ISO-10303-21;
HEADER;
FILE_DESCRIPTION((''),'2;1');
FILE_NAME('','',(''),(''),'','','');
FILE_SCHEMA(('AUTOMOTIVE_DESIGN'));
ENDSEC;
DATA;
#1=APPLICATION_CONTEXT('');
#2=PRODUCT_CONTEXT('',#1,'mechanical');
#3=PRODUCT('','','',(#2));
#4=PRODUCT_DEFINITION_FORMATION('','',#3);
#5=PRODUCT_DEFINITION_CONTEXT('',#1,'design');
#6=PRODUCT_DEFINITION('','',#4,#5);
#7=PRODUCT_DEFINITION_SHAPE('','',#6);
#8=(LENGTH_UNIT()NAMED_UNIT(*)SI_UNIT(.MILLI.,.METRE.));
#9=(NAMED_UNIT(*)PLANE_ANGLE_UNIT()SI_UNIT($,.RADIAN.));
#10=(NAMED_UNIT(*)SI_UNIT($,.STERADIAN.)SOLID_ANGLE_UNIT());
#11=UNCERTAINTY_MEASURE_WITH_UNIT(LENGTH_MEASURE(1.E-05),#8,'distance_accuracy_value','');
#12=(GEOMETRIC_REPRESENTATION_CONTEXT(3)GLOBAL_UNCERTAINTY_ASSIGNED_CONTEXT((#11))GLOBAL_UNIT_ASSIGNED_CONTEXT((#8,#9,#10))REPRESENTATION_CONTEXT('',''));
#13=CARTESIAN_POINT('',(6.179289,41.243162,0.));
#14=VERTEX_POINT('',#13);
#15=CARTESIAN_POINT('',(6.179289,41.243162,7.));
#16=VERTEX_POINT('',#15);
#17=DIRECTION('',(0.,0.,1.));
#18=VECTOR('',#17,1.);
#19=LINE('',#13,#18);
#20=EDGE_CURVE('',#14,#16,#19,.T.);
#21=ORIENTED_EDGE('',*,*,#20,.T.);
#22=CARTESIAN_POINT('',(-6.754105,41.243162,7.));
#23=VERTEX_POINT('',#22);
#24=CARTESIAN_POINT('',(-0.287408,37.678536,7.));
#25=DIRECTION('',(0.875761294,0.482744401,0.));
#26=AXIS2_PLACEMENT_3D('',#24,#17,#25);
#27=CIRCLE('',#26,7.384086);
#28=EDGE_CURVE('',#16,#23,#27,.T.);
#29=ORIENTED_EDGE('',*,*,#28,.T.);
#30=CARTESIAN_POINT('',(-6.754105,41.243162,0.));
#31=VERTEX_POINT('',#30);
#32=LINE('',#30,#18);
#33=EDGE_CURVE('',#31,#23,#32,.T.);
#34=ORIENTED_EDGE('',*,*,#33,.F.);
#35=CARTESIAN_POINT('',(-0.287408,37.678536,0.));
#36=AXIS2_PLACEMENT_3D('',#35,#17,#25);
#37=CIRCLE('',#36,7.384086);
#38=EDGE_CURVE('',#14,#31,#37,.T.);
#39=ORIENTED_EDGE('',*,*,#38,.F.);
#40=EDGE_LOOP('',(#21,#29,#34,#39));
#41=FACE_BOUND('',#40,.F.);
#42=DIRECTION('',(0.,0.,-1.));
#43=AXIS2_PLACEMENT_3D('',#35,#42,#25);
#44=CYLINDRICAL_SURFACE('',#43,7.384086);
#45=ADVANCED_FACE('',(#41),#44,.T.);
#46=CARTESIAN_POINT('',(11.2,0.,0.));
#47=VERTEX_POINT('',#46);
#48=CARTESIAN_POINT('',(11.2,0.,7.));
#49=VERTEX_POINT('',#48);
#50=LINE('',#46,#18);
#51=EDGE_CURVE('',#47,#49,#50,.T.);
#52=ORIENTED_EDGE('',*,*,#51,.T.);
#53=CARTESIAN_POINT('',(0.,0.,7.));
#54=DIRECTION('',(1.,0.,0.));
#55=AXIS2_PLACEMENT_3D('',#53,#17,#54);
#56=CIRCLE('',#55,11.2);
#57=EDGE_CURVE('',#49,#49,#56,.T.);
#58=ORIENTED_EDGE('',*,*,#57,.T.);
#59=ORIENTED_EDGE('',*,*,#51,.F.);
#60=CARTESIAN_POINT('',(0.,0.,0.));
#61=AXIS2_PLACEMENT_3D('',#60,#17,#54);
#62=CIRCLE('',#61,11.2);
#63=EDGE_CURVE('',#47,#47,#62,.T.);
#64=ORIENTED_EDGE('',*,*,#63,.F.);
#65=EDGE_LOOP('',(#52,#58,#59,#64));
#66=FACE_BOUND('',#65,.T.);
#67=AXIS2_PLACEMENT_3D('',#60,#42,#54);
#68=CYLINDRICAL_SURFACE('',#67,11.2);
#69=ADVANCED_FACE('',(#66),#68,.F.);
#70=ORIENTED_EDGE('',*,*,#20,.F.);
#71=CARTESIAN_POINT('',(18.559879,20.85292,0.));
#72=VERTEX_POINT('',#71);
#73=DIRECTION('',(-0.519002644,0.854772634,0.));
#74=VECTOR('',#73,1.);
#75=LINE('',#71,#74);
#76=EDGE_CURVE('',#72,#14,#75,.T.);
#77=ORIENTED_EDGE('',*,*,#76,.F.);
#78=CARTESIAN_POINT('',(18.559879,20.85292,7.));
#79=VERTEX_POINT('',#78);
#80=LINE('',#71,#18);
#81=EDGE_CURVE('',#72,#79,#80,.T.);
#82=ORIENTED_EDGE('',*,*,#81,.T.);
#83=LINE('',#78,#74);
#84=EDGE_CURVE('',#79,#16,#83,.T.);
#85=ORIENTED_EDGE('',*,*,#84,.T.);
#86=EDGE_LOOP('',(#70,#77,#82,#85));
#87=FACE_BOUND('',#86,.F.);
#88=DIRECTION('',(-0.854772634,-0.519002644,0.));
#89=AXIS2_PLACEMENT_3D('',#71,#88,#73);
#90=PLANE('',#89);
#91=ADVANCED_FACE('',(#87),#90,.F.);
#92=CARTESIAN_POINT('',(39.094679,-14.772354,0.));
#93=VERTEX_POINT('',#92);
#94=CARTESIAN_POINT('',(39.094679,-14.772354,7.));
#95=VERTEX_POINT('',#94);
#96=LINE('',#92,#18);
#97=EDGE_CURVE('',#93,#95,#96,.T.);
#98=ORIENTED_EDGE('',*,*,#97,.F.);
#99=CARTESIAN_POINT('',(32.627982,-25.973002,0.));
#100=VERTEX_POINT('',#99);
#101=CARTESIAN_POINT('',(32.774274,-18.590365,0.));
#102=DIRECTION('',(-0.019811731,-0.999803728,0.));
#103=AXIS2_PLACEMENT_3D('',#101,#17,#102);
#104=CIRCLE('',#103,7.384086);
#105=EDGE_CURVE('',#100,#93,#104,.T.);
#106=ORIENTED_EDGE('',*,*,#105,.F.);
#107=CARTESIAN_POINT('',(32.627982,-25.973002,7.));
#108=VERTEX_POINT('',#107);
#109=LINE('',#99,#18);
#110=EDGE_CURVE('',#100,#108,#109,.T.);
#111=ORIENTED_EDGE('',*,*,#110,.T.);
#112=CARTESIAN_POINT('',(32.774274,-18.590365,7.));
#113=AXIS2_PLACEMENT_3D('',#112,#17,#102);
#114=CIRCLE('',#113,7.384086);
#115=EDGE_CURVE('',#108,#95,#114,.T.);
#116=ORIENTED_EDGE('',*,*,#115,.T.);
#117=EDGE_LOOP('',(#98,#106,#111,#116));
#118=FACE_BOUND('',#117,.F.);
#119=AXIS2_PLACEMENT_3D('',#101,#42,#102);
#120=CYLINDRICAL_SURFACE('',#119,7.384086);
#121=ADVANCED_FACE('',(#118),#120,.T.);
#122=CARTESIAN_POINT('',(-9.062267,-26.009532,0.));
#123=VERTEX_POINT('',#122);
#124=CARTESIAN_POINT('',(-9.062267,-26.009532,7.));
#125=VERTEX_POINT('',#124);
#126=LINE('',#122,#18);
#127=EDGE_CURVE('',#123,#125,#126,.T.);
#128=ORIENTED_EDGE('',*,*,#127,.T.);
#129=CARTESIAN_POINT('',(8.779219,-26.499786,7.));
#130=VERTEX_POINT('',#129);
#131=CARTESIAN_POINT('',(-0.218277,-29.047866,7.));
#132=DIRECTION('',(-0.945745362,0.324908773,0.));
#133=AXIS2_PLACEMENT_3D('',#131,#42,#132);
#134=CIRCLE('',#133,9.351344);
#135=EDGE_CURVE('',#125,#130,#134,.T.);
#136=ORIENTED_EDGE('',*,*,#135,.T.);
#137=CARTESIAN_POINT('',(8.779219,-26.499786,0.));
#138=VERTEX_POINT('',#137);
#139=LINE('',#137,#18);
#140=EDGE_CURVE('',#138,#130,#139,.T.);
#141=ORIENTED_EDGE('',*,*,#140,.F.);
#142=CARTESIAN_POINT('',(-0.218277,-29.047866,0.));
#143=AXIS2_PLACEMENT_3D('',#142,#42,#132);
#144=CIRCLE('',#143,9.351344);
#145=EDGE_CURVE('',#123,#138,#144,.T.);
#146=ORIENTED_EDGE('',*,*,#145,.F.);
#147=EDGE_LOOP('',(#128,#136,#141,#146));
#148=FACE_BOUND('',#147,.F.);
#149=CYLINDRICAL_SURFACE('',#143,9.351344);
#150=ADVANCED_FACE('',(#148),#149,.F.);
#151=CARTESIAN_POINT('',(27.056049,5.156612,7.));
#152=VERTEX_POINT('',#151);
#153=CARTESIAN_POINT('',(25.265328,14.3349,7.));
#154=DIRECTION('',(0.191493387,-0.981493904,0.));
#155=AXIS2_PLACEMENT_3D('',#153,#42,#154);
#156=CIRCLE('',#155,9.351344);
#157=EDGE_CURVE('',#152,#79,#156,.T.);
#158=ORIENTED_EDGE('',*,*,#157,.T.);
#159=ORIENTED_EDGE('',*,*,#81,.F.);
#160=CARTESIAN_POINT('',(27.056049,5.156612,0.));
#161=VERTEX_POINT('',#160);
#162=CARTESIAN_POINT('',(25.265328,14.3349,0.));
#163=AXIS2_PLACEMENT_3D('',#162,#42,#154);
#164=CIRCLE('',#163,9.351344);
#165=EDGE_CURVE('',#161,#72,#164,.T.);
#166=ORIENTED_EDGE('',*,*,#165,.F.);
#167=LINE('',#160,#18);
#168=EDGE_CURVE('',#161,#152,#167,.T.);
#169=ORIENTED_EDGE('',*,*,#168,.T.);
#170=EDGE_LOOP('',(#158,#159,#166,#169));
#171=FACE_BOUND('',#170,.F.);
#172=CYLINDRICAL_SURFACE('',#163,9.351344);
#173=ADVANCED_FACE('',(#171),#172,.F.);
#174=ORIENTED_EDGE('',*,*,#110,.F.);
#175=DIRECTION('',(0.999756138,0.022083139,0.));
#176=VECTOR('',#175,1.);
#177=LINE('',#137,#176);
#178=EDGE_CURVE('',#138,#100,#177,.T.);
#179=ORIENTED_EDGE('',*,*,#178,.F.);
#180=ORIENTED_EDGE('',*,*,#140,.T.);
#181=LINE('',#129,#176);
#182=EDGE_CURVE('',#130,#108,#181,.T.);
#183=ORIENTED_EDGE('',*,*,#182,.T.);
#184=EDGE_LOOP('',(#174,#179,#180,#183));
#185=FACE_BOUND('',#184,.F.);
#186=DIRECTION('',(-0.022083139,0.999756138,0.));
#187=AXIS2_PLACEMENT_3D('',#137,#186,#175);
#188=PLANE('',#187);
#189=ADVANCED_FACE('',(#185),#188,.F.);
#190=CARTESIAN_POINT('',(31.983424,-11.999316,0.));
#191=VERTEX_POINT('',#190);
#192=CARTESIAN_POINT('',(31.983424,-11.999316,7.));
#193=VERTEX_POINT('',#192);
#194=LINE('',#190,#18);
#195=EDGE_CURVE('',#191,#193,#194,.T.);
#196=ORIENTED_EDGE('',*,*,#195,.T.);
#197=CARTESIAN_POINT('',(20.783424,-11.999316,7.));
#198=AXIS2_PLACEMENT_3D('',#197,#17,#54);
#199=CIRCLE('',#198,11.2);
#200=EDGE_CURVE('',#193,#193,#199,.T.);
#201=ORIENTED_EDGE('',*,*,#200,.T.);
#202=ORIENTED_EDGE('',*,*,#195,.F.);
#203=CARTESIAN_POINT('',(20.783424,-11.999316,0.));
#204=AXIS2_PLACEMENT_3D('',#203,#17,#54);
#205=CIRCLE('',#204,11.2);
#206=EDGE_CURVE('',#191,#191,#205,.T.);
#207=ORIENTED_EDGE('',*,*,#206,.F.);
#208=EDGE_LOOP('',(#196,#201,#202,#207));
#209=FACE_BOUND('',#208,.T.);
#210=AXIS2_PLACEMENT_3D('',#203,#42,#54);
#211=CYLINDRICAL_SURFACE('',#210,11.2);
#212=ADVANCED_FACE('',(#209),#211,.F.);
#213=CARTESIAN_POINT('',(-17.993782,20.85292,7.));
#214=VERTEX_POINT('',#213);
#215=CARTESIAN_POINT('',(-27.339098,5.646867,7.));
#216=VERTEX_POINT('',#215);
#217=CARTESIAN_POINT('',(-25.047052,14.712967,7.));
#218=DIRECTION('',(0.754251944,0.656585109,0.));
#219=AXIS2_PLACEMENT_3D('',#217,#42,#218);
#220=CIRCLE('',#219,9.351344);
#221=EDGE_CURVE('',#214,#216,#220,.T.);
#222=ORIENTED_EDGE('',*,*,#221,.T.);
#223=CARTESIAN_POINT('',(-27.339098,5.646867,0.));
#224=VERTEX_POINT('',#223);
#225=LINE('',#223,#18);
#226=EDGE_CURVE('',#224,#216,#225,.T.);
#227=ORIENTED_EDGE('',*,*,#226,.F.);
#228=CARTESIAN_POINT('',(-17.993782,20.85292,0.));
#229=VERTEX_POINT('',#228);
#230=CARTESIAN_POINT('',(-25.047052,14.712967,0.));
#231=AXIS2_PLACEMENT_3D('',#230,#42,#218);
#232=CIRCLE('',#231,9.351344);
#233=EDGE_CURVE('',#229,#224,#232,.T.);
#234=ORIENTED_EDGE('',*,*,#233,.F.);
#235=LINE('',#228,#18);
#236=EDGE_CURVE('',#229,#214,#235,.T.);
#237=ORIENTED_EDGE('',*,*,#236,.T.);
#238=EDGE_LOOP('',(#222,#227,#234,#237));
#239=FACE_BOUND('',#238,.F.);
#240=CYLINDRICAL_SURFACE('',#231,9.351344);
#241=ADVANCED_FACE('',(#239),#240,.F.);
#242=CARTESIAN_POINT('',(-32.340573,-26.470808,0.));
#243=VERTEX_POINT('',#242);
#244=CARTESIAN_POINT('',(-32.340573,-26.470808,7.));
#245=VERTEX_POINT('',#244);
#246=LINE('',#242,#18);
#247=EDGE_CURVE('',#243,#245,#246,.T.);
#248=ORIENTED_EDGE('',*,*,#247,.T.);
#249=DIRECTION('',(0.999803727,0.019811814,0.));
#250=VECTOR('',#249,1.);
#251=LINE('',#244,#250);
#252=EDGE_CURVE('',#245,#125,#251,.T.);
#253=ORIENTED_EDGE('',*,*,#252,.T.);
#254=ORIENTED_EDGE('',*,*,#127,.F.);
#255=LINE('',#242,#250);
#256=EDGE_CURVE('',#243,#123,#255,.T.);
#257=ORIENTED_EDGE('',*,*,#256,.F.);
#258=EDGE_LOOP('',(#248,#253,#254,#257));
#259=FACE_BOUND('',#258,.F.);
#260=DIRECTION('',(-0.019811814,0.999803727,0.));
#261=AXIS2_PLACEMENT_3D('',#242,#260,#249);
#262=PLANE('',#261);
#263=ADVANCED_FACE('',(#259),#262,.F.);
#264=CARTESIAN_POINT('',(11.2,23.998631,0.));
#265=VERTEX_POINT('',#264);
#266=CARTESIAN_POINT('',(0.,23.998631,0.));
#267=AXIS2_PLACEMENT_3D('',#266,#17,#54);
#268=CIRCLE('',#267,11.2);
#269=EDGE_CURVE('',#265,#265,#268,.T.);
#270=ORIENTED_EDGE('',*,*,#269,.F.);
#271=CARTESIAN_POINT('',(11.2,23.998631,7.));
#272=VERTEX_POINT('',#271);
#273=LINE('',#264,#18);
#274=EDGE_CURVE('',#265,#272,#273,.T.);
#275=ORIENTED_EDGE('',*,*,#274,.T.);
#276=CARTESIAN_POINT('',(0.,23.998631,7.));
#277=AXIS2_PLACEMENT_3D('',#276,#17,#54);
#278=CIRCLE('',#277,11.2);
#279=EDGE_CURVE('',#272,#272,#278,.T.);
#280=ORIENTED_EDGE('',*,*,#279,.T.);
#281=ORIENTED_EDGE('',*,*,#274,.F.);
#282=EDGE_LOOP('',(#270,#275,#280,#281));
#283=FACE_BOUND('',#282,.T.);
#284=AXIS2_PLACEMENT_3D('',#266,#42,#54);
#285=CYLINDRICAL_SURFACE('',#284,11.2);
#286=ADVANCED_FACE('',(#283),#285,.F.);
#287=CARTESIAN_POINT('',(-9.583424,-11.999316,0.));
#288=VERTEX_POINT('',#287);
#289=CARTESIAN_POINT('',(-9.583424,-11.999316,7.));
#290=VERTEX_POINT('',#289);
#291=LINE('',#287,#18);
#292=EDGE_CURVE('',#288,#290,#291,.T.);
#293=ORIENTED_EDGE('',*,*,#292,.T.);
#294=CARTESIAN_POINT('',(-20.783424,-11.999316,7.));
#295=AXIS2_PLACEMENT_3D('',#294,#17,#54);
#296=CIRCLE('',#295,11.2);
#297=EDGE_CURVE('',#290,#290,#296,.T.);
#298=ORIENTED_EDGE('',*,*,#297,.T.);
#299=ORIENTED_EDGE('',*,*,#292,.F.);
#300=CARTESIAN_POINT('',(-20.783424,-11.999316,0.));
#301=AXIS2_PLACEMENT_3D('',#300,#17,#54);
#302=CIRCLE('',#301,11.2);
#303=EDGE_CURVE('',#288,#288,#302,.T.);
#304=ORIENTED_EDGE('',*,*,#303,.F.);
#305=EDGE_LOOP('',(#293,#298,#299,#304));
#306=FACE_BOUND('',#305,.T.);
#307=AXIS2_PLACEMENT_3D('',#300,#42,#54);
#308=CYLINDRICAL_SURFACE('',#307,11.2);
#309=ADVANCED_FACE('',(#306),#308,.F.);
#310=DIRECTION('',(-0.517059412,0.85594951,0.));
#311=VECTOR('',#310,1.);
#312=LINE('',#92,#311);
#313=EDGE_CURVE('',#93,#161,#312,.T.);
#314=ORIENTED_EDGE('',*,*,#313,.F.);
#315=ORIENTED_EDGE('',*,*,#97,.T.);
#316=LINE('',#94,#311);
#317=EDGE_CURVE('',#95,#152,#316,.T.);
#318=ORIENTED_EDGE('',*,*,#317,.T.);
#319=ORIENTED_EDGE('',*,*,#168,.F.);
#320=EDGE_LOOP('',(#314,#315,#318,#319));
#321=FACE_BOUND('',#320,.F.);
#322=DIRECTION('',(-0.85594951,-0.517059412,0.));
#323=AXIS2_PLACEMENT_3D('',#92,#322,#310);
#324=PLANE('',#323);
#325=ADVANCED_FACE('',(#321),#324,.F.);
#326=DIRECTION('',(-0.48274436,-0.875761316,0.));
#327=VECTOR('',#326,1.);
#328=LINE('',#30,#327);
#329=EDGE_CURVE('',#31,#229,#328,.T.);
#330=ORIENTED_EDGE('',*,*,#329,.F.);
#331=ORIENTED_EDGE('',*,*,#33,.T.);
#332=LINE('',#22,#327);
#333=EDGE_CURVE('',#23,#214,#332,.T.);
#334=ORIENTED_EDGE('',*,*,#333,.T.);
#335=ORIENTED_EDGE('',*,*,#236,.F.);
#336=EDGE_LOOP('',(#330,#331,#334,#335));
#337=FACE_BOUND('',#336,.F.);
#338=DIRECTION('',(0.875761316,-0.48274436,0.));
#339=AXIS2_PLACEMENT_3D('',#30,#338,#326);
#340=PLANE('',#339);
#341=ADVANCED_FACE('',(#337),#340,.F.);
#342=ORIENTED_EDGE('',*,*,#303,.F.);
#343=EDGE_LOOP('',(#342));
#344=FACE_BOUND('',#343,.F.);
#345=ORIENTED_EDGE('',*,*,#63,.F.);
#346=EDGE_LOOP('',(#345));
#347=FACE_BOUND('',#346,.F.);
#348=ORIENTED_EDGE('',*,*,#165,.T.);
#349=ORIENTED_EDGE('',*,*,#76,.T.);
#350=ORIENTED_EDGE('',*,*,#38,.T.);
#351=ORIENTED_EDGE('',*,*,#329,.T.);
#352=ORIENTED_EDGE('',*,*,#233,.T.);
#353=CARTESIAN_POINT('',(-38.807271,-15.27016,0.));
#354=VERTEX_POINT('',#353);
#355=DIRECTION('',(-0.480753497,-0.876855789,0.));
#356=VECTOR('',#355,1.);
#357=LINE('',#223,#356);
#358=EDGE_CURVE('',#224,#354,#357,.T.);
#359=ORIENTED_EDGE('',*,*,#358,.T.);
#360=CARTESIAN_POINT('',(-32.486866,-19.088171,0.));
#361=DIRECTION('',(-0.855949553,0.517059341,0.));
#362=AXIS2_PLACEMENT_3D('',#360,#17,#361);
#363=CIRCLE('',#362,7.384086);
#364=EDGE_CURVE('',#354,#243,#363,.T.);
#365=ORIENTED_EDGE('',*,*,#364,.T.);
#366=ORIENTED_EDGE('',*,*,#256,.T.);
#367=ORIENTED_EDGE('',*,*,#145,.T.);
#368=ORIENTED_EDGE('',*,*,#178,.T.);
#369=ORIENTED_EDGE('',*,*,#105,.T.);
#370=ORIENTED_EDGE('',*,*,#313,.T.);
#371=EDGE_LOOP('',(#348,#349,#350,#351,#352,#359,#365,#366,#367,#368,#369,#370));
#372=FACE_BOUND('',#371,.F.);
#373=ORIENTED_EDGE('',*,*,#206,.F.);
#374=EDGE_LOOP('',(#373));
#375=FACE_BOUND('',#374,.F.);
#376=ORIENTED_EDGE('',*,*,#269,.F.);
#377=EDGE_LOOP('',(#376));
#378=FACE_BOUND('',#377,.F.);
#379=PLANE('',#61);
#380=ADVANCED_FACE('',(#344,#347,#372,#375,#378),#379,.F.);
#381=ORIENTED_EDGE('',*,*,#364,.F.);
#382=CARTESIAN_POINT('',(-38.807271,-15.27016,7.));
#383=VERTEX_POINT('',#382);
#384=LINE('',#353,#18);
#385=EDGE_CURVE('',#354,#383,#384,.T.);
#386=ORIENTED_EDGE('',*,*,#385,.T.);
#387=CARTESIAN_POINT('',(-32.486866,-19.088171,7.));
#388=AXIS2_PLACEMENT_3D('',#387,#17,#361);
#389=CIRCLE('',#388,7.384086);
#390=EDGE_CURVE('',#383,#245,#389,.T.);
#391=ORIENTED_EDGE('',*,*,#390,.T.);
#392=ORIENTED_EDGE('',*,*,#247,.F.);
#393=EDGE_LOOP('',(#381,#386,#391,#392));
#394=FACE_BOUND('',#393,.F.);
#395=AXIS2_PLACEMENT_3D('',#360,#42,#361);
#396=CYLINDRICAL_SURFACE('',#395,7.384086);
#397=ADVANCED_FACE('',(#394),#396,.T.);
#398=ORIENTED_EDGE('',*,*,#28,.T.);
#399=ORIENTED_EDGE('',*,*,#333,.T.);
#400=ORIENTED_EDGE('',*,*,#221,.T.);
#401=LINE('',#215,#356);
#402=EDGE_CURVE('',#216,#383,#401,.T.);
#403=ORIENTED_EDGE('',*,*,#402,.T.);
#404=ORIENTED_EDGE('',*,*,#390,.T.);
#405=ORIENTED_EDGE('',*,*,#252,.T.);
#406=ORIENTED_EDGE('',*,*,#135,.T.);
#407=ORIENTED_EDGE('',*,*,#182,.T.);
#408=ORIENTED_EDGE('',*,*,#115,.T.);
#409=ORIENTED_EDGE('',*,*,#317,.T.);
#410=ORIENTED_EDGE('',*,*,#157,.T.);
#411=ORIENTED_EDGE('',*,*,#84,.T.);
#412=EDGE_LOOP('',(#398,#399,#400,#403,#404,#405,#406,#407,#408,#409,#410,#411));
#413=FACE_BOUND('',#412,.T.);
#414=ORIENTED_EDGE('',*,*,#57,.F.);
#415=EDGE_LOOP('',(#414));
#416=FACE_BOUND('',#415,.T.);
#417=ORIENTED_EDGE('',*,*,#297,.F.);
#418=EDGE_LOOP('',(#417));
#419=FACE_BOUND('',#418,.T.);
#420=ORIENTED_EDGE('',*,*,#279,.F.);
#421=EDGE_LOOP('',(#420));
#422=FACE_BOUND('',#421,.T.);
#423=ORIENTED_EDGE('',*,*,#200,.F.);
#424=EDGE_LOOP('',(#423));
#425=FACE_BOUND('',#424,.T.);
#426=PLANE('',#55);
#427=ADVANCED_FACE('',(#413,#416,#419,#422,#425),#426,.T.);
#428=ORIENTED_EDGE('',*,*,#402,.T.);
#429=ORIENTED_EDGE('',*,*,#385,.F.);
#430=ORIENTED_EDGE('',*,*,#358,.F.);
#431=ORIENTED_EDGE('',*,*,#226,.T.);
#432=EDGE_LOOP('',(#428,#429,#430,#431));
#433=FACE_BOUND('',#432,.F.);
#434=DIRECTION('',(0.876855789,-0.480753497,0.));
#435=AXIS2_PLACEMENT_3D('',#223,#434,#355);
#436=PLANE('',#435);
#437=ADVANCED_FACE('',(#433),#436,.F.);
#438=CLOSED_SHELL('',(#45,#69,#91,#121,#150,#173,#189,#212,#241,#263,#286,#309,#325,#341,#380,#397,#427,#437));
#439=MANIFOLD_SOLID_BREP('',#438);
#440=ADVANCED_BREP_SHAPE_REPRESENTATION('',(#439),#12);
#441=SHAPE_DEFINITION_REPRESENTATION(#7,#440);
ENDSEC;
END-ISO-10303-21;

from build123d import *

# Parameters (mm, degrees)
F0_R     = 11.2
F1_DEPTH = 7


with BuildPart() as f1:
    # F0 (on Top) → F1 (new body)
    with BuildSketch(Plane.XY):
        with BuildLine():
            ThreePointArc((-9.062267, -26.009532), (0.038586, -19.70005), (8.779219, -26.499786))
            Line((8.779219, -26.499786), (32.627982, -25.973002))
            ThreePointArc((32.627982, -25.973002), (39.16908, -22.282408), (39.094679, -14.772354))
            Line((39.094679, -14.772354), (27.056049, 5.156612))
            ThreePointArc((27.056049, 5.156612), (17.041451, 9.883441), (18.559879, 20.85292))
            Line((18.559879, 20.85292), (6.179289, 41.243162))
            ThreePointArc((6.179289, 41.243162), (-0.287408, 45.062622), (-6.754105, 41.243162))
            Line((-6.754105, 41.243162), (-17.993782, 20.85292))
            ThreePointArc((-17.993782, 20.85292), (-17.080037, 9.816609), (-27.339098, 5.646867))
            Line((-27.339098, 5.646867), (-38.807271, -15.27016))
            ThreePointArc((-38.807271, -15.27016), (-38.881672, -22.780214), (-32.340573, -26.470808))
            Line((-32.340573, -26.470808), (-9.062267, -26.009532))
        make_face()
        with Locations((-20.783424, -11.999316)):
            Circle(F0_R, mode=Mode.SUBTRACT)
        Circle(F0_R, mode=Mode.SUBTRACT)
        with Locations((20.783424, -11.999316)):
            Circle(F0_R, mode=Mode.SUBTRACT)
        with Locations((0, 23.998631)):
            Circle(F0_R, mode=Mode.SUBTRACT)
    extrude(amount=F1_DEPTH)


solid = f1.part
